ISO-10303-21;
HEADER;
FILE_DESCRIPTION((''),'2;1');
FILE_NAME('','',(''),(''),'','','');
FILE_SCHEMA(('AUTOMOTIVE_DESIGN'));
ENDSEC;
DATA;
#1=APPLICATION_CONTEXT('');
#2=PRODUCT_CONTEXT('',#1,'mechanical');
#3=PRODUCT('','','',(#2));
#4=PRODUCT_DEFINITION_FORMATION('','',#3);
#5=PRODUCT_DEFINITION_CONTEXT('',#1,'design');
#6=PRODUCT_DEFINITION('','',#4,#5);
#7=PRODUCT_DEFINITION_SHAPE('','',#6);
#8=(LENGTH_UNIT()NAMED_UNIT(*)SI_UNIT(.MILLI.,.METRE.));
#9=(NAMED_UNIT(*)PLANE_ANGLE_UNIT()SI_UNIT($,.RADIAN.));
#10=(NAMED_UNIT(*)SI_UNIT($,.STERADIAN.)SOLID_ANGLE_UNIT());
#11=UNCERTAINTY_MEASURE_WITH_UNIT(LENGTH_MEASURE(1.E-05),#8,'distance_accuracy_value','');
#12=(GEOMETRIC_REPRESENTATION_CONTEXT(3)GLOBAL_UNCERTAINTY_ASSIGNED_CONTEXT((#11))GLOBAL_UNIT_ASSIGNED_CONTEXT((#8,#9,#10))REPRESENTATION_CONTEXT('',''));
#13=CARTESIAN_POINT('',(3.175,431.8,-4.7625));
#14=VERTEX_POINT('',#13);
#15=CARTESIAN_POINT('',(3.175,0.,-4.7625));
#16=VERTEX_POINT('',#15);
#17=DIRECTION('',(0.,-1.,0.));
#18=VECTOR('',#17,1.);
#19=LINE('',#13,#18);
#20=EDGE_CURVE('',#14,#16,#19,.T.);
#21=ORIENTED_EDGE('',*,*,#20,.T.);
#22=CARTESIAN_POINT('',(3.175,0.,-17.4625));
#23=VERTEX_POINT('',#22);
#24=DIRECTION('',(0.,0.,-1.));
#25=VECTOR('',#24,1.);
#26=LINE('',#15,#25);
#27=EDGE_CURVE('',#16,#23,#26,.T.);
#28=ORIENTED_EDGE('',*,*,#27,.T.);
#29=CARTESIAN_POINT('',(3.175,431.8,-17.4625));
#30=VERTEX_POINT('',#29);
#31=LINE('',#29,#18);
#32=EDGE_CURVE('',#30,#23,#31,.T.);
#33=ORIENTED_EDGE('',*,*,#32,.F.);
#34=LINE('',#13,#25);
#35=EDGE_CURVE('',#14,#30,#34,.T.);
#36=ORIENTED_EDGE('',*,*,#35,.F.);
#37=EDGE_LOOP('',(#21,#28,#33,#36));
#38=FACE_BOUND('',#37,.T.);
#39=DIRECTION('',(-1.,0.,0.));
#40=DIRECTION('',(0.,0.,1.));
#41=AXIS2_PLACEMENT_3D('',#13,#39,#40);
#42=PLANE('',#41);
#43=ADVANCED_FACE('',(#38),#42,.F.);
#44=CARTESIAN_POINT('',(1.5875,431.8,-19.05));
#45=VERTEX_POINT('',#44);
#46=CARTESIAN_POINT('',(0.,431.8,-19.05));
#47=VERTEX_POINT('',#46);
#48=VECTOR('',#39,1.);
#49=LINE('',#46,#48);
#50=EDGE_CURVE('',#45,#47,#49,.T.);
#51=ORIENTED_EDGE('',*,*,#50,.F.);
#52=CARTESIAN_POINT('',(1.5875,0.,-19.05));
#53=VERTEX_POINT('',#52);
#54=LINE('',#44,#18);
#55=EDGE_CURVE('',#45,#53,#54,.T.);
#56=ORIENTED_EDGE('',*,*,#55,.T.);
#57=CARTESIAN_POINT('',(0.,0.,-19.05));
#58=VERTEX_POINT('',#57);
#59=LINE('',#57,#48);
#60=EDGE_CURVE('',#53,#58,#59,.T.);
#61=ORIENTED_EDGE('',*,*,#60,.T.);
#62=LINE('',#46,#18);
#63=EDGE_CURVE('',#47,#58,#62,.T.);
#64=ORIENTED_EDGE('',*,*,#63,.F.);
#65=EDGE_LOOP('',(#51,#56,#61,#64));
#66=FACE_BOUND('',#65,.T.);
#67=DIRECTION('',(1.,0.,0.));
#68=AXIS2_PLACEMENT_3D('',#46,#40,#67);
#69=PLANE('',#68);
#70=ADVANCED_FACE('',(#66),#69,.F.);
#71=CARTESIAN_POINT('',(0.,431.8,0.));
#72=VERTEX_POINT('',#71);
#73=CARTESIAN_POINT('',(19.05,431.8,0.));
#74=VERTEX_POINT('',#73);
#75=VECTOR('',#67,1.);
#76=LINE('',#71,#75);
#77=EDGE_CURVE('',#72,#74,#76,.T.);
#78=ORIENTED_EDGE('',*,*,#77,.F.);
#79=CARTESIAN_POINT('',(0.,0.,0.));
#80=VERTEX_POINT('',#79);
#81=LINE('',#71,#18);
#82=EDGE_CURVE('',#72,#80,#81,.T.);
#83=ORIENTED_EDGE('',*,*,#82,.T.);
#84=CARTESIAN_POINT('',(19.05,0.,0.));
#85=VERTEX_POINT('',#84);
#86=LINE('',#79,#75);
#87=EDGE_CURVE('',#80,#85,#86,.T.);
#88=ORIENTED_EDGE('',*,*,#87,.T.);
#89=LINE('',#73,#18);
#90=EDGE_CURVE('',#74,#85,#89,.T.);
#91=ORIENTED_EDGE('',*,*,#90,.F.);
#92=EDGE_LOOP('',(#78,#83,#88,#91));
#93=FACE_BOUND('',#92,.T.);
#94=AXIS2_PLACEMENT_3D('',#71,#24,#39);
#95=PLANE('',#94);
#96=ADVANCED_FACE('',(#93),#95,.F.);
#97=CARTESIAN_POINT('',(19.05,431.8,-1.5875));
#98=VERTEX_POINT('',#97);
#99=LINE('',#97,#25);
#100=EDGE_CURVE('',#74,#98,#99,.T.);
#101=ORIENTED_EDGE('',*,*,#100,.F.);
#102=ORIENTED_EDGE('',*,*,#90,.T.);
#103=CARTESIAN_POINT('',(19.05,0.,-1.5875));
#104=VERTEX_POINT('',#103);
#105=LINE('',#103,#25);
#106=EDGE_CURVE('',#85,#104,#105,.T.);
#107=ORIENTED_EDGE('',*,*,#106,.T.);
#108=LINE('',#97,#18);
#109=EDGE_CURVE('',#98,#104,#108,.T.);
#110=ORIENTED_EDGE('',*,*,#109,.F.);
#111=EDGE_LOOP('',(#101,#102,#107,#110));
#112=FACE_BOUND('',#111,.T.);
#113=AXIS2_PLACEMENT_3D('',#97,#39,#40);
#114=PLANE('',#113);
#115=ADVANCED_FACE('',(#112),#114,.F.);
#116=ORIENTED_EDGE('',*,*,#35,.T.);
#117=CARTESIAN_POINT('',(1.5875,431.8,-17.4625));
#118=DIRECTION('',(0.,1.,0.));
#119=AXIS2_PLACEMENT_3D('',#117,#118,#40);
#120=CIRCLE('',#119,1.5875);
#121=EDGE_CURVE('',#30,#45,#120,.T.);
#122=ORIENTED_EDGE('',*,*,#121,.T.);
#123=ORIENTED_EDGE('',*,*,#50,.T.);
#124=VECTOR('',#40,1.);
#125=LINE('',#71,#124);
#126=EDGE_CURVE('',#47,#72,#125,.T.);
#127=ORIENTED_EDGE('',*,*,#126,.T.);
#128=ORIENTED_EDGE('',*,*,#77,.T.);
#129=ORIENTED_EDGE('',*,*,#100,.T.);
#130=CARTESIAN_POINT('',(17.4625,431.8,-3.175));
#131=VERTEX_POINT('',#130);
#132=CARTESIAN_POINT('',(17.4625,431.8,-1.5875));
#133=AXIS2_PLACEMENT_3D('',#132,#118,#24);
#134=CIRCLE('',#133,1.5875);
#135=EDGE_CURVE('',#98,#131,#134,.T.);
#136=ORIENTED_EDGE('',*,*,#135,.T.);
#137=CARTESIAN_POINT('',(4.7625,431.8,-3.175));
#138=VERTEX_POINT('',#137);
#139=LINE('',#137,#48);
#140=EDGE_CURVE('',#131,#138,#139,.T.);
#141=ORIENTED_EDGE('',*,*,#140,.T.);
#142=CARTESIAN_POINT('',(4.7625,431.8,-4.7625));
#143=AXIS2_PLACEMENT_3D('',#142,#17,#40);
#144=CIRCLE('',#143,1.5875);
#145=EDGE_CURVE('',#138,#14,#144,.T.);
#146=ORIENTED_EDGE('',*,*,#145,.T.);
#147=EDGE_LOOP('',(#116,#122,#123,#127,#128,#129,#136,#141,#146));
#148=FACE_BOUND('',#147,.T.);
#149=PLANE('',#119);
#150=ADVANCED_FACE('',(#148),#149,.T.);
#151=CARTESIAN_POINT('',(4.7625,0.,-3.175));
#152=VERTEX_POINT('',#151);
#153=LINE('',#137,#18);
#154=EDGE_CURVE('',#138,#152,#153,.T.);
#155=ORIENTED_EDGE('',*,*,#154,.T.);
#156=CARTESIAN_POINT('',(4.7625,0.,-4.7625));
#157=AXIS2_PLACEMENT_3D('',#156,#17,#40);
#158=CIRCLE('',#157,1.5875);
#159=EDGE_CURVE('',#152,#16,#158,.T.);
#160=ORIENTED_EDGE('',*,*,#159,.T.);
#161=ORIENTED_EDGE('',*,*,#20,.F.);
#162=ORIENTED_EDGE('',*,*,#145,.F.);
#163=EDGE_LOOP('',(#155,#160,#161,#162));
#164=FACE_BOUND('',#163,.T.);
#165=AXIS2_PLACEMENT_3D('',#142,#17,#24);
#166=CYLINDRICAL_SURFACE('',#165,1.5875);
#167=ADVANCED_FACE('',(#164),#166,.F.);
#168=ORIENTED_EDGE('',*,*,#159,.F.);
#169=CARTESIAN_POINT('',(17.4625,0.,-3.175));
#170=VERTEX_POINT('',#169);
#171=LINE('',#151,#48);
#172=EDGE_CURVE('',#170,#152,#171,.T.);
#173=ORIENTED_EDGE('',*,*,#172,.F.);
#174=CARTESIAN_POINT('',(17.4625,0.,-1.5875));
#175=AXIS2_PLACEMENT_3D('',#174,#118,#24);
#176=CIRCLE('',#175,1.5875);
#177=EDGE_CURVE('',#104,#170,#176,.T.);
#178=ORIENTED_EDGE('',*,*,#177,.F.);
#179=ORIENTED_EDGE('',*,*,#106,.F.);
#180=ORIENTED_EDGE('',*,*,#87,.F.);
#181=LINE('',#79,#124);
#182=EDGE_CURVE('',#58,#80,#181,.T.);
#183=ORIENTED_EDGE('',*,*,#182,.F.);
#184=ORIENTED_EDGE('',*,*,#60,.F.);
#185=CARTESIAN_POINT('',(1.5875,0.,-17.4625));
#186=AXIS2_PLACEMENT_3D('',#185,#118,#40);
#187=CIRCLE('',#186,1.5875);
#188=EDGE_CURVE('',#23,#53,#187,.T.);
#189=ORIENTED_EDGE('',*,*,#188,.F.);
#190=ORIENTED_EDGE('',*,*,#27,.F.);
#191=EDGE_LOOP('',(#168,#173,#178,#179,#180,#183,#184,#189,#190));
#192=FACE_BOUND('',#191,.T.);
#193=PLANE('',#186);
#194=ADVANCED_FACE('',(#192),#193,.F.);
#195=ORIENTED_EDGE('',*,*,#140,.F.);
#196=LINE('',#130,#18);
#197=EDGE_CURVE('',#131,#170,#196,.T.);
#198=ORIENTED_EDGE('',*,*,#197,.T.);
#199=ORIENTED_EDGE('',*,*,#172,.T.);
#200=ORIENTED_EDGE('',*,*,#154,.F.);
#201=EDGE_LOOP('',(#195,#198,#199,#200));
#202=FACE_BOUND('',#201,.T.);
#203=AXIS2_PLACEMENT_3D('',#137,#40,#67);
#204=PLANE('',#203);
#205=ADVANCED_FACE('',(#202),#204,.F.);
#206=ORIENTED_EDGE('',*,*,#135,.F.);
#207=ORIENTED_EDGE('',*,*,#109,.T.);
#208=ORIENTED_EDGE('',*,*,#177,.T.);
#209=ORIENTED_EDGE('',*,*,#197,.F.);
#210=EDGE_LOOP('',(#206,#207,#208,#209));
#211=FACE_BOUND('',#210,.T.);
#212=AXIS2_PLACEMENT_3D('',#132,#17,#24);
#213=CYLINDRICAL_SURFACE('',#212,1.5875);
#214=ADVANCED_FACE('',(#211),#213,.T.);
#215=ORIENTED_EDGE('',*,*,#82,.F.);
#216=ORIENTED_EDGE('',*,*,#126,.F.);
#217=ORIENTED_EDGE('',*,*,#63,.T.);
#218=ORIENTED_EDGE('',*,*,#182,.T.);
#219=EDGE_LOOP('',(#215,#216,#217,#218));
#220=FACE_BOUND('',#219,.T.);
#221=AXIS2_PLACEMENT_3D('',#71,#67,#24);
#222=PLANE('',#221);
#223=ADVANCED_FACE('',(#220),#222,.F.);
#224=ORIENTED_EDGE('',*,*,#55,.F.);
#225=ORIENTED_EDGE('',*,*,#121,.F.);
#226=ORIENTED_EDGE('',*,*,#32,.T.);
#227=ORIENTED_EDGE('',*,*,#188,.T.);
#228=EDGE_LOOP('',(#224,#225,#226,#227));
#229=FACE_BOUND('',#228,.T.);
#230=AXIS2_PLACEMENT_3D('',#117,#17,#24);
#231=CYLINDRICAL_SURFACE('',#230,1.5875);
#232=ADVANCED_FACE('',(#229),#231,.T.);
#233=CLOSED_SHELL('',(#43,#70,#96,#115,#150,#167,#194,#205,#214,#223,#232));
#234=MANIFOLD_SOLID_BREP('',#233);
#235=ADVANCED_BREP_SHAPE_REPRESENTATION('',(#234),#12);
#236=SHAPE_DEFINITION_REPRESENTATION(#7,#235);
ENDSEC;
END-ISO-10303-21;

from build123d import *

# Parameters (mm, degrees)
BOSS_EXTRUDE1_DEPTH = 431.8


with BuildPart() as part:
    # Sketch2 → Boss-Extrude1 (new body)
    with BuildSketch(Plane(origin=(0, 0, 0), x_dir=(1, 0, 0), z_dir=(0, 1, 0))):
        with BuildLine():
            Line((0, 0), (19.05, 0))
            Line((19.05, 0), (19.05, 1.5875))
            ThreePointArc((19.05, 1.5875), (18.585032015, 2.710032015), (17.4625, 3.175))
            Line((17.4625, 3.175), (4.7625, 3.175))
            ThreePointArc((4.7625, 3.175), (3.639967985, 3.639967985), (3.175, 4.7625))
            Line((3.175, 4.7625), (3.175, 17.4625))
            ThreePointArc((3.175, 17.4625), (2.710032015, 18.585032015), (1.5875, 19.05))
            Line((1.5875, 19.05), (0, 19.05))
            Line((0, 19.05), (0, 0))
        make_face()
    extrude(amount=BOSS_EXTRUDE1_DEPTH)


solid = part.part
